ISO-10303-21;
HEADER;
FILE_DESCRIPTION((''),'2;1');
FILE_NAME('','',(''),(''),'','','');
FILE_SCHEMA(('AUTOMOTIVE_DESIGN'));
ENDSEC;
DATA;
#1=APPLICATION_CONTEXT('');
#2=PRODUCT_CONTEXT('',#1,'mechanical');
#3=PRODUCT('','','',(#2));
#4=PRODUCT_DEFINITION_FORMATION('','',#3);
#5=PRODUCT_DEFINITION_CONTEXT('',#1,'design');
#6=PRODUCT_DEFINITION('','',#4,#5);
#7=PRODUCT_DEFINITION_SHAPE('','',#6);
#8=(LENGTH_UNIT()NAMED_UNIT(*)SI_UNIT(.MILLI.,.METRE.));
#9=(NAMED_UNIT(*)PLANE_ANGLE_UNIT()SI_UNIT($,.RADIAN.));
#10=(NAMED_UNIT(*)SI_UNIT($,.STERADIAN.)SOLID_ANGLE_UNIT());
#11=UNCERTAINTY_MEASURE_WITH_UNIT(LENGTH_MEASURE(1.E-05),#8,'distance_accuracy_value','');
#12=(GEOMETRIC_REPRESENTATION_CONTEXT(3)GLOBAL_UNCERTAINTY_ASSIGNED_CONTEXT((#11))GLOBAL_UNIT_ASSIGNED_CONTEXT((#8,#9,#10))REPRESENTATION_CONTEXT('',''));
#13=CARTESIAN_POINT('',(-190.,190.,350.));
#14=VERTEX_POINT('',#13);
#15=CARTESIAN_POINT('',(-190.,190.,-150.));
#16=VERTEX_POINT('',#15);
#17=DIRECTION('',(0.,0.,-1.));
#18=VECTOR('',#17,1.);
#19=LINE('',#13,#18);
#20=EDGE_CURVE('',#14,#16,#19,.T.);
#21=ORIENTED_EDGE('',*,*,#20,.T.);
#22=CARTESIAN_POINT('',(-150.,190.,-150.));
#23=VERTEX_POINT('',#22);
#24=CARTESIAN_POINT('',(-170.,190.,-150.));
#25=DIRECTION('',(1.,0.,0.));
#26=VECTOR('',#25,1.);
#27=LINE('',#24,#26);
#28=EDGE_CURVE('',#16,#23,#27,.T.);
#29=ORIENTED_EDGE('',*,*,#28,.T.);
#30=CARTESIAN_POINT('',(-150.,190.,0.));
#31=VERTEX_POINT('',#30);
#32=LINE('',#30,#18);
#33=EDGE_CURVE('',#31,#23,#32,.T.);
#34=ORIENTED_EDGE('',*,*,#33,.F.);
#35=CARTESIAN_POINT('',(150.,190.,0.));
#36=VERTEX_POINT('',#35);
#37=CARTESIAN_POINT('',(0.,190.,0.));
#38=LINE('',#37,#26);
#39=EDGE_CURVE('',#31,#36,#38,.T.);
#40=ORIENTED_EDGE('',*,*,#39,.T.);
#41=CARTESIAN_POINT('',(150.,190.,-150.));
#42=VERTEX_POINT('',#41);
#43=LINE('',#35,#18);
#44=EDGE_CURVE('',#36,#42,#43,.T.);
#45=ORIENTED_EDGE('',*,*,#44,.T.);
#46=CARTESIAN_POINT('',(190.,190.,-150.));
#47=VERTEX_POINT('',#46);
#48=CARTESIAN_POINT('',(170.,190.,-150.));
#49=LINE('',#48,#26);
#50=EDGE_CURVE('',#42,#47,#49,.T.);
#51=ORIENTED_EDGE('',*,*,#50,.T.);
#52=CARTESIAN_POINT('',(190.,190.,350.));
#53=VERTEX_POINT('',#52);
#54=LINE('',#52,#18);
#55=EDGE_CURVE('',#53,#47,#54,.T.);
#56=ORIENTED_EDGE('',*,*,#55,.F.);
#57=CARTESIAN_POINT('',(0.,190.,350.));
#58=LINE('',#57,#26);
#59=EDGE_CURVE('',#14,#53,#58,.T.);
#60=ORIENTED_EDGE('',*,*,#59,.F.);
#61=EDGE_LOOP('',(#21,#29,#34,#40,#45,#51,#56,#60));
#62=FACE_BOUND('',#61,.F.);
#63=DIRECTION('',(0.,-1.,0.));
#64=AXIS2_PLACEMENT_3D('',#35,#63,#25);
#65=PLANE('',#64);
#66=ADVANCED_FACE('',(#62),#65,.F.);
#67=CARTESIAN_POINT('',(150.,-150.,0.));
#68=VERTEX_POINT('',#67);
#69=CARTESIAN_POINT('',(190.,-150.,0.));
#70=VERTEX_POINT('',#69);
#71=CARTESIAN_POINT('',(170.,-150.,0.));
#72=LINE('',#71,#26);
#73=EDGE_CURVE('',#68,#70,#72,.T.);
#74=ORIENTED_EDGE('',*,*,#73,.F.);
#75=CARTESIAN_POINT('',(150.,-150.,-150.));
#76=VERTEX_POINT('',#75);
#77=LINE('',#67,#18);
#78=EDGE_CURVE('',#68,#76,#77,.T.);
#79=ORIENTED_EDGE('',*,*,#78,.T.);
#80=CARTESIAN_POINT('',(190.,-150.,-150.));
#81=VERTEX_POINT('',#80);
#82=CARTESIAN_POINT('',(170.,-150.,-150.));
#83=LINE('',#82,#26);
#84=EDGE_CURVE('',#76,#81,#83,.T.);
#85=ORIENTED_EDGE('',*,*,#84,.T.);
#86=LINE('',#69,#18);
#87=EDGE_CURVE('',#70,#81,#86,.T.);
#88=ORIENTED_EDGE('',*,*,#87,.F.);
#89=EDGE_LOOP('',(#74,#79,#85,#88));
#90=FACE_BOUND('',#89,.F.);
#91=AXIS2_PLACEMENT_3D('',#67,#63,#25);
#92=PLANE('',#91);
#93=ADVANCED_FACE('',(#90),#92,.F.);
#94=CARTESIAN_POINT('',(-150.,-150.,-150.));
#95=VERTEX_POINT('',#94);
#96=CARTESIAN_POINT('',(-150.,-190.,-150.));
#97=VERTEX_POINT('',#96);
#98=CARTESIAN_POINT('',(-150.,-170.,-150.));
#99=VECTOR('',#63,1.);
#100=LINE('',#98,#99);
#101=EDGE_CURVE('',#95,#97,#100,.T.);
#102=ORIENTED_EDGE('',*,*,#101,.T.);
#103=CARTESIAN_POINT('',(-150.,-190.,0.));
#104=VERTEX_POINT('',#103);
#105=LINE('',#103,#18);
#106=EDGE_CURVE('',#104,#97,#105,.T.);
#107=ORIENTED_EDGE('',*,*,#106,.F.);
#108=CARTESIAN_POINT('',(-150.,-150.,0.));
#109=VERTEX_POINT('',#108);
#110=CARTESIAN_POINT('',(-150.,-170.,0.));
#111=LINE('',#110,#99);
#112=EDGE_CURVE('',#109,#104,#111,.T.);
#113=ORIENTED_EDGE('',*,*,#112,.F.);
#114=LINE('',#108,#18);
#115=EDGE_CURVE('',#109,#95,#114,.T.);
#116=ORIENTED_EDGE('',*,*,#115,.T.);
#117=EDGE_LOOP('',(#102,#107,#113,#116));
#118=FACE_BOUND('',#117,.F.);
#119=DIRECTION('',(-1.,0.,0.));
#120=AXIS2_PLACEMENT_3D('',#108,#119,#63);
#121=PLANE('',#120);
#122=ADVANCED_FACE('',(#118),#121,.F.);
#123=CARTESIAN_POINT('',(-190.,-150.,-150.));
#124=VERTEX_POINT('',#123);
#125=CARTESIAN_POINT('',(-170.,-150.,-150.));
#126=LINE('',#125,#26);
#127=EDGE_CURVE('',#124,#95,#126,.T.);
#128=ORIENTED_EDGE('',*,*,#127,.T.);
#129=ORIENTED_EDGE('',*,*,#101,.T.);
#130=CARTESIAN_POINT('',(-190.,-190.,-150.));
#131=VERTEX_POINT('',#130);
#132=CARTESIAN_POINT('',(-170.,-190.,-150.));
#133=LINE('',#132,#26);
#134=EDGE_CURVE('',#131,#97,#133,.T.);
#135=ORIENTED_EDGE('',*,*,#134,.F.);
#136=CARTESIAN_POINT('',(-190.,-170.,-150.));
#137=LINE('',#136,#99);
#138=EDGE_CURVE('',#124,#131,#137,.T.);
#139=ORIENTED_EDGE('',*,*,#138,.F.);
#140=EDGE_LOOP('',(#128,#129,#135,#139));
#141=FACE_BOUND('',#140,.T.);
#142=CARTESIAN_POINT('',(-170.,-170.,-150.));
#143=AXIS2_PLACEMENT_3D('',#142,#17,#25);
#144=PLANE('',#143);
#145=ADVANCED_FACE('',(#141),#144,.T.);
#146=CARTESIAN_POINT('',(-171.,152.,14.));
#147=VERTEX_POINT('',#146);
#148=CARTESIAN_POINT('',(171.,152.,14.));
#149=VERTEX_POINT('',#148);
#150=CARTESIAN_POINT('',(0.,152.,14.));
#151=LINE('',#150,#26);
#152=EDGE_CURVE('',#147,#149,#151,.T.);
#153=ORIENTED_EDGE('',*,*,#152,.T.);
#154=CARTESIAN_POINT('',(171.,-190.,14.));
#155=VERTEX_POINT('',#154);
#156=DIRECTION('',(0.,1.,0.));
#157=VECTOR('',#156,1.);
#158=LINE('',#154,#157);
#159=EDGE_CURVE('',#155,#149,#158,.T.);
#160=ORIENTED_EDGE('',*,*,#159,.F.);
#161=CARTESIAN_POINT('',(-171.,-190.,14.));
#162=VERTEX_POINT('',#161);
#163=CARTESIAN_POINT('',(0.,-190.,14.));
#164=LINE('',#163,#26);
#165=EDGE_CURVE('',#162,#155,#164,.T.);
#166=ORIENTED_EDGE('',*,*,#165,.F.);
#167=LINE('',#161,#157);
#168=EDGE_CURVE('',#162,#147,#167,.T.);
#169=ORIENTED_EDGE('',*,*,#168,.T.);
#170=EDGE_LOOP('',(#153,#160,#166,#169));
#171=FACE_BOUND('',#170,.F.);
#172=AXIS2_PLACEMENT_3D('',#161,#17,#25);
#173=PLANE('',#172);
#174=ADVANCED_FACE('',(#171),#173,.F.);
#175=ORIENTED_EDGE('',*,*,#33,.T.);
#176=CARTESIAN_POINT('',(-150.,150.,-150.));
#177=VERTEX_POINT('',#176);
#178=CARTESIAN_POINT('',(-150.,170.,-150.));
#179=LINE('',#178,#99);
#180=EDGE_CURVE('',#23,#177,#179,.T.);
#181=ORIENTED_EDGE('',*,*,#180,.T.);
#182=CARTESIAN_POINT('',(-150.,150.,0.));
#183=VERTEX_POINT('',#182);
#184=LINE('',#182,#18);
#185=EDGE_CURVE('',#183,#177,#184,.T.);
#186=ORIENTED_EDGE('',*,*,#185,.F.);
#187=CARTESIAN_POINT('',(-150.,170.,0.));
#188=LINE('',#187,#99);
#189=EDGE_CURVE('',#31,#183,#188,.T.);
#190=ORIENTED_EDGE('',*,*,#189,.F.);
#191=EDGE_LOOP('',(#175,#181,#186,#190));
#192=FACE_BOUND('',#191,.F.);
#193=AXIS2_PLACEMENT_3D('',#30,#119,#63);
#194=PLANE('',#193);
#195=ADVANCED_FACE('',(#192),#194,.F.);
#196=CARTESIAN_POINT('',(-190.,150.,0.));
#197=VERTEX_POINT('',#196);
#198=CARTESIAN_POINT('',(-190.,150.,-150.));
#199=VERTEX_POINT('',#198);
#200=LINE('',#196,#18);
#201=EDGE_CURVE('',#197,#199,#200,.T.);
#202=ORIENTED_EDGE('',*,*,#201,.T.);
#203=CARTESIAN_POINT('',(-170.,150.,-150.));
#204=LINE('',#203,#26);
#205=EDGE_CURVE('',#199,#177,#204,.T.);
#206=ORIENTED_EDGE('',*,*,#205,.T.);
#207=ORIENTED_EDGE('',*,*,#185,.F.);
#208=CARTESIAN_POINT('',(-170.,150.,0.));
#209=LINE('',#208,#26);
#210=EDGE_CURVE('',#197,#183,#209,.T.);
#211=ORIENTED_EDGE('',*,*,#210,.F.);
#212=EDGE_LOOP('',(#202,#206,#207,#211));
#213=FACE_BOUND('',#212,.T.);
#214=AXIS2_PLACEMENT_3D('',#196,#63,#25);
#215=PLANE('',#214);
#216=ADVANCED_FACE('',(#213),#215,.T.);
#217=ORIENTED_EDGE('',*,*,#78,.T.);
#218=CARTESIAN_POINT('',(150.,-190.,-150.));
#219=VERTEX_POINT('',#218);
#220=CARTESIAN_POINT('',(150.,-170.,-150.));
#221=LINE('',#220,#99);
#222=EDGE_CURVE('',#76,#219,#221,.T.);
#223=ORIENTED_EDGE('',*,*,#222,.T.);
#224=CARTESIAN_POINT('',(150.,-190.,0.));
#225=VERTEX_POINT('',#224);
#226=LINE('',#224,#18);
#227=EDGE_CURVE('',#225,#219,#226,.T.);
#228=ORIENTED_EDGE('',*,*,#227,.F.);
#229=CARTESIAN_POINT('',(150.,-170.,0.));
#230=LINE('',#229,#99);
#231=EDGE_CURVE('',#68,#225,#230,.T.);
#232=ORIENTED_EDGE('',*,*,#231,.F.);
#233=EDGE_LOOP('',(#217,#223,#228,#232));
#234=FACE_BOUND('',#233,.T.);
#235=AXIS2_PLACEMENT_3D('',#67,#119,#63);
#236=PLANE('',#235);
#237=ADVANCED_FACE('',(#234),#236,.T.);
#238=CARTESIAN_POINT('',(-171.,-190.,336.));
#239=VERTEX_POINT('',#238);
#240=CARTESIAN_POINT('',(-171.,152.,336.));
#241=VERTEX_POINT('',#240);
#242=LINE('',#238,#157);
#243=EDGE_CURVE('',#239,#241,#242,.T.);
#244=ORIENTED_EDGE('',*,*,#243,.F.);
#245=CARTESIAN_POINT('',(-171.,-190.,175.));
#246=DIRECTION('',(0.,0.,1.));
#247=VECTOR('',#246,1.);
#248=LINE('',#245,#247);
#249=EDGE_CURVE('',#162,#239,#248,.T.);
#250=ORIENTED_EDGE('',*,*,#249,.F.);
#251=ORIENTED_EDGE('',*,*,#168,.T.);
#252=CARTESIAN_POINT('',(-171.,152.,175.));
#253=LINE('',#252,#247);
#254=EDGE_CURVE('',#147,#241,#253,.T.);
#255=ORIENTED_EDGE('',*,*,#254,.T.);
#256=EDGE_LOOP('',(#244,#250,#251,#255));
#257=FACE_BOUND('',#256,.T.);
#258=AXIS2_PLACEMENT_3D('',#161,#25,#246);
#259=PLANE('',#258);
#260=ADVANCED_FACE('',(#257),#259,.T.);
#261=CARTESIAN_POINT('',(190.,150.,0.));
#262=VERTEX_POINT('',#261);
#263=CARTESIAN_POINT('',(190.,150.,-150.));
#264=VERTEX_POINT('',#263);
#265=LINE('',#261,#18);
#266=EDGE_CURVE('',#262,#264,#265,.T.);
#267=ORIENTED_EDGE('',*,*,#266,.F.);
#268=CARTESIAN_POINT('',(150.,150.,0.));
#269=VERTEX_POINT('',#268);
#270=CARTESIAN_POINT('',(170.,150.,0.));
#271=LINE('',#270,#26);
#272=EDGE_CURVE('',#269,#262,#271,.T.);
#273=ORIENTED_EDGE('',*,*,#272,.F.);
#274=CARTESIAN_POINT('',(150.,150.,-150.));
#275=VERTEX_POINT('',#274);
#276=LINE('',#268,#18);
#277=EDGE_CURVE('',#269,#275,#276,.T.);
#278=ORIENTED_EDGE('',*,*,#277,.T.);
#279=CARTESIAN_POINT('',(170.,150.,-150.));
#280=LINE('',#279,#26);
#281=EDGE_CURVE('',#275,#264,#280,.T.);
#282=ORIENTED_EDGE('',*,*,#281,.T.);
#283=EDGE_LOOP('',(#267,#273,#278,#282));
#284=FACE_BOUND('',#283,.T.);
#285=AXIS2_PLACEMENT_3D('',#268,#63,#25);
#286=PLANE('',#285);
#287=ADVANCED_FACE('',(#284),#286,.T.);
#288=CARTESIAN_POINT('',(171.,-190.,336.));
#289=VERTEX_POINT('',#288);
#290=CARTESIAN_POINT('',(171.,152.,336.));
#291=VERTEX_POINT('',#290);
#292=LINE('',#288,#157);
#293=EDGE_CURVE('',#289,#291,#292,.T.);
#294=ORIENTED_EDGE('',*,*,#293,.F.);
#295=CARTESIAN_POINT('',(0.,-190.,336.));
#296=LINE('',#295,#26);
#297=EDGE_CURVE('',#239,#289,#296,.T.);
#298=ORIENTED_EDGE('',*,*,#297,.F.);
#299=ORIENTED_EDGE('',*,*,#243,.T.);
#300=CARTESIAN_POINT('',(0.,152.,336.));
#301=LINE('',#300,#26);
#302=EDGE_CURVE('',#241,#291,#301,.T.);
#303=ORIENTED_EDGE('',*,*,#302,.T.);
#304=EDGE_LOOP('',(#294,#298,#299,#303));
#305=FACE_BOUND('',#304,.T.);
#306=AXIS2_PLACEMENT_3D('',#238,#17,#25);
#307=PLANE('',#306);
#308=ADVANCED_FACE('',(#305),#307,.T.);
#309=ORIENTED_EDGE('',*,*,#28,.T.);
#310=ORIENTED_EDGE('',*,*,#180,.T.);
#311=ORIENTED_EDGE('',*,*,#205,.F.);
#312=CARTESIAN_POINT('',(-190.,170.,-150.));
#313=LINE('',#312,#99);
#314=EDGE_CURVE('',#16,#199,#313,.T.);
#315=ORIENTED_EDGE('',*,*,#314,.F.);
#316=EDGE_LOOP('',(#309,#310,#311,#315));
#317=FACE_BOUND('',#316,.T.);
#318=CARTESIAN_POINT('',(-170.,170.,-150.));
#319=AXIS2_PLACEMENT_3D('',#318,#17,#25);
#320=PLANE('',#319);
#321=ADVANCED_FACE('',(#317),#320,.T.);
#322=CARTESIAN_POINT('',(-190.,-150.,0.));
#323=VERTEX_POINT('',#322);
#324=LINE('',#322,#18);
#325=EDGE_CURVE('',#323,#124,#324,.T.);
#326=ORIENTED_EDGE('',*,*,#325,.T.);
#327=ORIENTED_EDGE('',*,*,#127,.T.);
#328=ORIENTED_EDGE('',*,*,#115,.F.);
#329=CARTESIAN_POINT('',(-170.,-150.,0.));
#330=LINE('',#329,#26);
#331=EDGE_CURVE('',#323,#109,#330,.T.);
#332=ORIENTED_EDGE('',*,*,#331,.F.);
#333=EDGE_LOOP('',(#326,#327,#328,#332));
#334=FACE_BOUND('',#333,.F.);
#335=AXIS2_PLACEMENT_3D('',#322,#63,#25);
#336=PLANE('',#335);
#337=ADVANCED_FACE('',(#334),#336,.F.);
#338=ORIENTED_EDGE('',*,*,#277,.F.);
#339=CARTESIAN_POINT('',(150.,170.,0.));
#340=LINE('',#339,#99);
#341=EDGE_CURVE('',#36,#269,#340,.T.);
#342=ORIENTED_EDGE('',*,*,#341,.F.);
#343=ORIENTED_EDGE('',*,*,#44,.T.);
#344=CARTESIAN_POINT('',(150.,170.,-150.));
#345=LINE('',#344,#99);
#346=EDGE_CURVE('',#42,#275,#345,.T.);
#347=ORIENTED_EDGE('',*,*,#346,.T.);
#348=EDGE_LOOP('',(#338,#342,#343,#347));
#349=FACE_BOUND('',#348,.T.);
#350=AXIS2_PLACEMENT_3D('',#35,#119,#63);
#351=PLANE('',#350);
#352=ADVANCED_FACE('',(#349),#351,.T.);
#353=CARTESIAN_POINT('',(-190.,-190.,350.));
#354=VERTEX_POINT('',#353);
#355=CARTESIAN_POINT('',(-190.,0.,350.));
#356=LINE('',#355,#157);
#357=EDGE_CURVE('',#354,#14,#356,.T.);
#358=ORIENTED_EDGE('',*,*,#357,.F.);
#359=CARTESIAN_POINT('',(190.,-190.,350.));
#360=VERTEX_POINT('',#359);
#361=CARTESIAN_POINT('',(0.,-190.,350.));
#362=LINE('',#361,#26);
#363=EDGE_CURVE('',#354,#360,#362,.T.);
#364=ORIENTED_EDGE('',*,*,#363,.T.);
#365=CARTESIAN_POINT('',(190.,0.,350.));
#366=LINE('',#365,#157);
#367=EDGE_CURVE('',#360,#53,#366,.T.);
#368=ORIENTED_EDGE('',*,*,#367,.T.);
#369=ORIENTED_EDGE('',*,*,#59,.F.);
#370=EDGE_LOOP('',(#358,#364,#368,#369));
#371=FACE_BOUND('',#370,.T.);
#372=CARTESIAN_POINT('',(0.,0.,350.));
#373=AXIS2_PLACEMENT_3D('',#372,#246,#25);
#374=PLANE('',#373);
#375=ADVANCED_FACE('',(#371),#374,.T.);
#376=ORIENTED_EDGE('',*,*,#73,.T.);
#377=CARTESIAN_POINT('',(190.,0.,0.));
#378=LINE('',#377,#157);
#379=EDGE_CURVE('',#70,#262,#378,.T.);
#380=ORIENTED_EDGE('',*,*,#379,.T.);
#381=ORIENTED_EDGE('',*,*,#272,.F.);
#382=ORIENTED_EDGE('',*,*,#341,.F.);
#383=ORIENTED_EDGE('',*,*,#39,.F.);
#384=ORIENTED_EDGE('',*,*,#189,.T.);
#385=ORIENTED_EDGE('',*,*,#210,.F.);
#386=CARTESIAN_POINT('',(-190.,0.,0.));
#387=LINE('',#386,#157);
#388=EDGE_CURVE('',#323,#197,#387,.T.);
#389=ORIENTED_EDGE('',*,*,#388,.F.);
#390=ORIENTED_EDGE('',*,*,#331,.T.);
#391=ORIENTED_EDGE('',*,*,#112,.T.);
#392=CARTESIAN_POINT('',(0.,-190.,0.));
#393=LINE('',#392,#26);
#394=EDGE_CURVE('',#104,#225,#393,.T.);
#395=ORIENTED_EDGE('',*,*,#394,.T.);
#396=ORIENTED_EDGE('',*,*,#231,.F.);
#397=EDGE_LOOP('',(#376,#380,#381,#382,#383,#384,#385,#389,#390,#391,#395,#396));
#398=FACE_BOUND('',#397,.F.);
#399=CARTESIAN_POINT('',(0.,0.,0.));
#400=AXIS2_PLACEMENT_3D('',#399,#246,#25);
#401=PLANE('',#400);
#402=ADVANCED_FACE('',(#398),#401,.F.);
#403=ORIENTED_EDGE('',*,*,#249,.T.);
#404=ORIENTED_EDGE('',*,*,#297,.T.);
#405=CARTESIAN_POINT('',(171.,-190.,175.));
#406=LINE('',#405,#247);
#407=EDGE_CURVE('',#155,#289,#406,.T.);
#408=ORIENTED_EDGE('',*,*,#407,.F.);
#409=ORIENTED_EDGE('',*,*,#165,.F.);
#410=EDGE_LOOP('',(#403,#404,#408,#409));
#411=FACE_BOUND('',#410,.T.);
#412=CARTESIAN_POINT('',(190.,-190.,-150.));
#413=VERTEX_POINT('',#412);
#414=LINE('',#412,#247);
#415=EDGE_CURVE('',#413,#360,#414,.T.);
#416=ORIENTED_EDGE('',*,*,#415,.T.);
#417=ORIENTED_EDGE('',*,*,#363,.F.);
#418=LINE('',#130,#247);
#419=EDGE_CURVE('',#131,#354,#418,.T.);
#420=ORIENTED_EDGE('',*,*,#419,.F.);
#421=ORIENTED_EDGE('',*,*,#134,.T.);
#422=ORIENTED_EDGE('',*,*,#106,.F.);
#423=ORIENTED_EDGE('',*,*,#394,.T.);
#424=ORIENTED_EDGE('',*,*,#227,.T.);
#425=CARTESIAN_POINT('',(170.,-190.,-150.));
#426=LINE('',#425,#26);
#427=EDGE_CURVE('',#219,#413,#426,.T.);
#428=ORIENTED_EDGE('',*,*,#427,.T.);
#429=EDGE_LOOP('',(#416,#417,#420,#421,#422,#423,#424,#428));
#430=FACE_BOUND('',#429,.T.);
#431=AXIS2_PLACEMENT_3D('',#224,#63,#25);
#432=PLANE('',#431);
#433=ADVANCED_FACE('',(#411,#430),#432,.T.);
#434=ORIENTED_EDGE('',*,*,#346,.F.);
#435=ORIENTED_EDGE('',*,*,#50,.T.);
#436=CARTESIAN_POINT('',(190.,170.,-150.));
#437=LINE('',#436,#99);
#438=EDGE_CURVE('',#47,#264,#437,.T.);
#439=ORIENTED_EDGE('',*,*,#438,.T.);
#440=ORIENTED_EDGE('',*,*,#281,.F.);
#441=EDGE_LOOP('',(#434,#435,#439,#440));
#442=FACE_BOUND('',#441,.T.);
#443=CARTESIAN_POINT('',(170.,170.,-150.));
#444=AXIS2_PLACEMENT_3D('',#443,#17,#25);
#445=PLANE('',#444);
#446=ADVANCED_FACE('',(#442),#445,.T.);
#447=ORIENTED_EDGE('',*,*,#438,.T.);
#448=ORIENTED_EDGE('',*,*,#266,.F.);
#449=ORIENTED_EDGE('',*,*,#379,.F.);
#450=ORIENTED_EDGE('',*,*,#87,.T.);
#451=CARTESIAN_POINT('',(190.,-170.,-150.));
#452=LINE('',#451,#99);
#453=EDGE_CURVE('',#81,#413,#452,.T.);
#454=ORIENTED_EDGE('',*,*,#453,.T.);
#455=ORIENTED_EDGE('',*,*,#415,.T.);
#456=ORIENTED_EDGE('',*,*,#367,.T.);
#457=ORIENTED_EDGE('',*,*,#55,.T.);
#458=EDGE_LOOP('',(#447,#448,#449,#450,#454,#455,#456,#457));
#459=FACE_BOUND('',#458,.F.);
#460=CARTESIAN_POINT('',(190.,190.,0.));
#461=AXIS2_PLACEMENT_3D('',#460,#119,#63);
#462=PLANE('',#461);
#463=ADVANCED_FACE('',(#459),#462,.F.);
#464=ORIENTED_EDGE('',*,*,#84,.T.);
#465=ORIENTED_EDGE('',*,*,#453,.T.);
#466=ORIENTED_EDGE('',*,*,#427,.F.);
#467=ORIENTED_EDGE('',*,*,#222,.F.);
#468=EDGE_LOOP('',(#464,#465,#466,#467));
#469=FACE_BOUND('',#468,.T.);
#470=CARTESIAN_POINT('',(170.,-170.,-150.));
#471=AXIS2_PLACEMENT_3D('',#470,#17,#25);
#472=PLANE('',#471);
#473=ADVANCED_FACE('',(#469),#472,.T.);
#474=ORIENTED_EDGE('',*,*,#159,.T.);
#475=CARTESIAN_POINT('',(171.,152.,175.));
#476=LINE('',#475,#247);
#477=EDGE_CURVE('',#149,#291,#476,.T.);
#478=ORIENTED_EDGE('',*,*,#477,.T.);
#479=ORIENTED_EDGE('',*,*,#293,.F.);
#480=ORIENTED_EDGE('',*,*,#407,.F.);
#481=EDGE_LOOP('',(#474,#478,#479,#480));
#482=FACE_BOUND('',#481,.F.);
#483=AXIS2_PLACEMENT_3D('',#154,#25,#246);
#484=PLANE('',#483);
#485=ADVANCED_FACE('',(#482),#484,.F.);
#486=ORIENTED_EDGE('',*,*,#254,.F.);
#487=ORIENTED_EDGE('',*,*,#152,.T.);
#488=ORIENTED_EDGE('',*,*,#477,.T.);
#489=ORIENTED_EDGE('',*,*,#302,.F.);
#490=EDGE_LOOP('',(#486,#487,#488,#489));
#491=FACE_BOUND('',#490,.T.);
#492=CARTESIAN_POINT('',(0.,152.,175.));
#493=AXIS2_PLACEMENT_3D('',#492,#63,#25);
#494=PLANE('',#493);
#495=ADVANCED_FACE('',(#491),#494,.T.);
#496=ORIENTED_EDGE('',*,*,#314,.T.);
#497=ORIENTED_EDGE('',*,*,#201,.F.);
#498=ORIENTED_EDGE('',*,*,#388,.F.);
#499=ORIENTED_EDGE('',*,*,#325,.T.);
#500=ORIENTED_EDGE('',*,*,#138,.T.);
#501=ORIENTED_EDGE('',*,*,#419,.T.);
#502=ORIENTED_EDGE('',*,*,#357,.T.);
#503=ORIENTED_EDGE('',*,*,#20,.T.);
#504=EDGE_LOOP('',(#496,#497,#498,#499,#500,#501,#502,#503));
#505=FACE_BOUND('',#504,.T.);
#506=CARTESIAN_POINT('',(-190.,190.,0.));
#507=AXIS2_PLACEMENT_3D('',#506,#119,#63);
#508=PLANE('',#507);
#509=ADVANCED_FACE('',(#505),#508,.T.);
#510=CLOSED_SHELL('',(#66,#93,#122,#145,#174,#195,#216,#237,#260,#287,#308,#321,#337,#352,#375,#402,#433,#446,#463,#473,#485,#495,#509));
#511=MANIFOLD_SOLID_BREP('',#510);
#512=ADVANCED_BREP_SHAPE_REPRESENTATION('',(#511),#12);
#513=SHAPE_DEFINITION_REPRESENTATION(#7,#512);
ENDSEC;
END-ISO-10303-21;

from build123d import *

# Parameters (mm, degrees)
F0_W      = 380
F0_H      = 380
F1_DEPTH  = 350
F2_W      = 342
F2_H      = 322
F3_DEPTH  = 342
F4_W      = 40
F4_H      = 40
F5_DEPTH  = 150
F6_W      = 40
F6_H      = 40
F7_DEPTH  = 150
F8_W      = 40
F8_H      = 40
F9_DEPTH  = 150
F10_W     = 40
F10_H     = 40
F11_DEPTH = 150


with BuildPart() as f1:
    # F0 (on Top) → F1 (new body)
    with BuildSketch(Plane.XY):
        Rectangle(F0_W, F0_H)
    extrude(amount=F1_DEPTH)

    # F2 (on face) → F3 (cut)
    with BuildSketch(Plane.XZ.offset(190)):
        with Locations((0, 175)):
            Rectangle(F2_W, F2_H)
    extrude(amount=-F3_DEPTH, mode=Mode.SUBTRACT)

    # F4 (on face) → F5 (join)
    with BuildSketch(Plane(origin=(0, 0, 0), x_dir=(1, 0, 0), z_dir=(0, 0, -1))):
        with Locations((-170, 170)):
            Rectangle(F4_W, F4_H)
    extrude(amount=F5_DEPTH)

    # F6 (on face) → F7 (join)
    with BuildSketch(Plane(origin=(0, 0, 0), x_dir=(1, 0, 0), z_dir=(0, 0, -1))):
        with Locations((170, 170)):
            Rectangle(F6_W, F6_H)
    extrude(amount=F7_DEPTH)

    # F8 (on face) → F9 (join)
    with BuildSketch(Plane(origin=(0, 0, 0), x_dir=(1, 0, 0), z_dir=(0, 0, -1))):
        with Locations((-170, -170)):
            Rectangle(F8_W, F8_H)
    extrude(amount=F9_DEPTH)

    # F10 (on face) → F11 (join)
    with BuildSketch(Plane(origin=(0, 0, 0), x_dir=(1, 0, 0), z_dir=(0, 0, -1))):
        with Locations((170, -170)):
            Rectangle(F10_W, F10_H)
    extrude(amount=F11_DEPTH)


solid = f1.part
